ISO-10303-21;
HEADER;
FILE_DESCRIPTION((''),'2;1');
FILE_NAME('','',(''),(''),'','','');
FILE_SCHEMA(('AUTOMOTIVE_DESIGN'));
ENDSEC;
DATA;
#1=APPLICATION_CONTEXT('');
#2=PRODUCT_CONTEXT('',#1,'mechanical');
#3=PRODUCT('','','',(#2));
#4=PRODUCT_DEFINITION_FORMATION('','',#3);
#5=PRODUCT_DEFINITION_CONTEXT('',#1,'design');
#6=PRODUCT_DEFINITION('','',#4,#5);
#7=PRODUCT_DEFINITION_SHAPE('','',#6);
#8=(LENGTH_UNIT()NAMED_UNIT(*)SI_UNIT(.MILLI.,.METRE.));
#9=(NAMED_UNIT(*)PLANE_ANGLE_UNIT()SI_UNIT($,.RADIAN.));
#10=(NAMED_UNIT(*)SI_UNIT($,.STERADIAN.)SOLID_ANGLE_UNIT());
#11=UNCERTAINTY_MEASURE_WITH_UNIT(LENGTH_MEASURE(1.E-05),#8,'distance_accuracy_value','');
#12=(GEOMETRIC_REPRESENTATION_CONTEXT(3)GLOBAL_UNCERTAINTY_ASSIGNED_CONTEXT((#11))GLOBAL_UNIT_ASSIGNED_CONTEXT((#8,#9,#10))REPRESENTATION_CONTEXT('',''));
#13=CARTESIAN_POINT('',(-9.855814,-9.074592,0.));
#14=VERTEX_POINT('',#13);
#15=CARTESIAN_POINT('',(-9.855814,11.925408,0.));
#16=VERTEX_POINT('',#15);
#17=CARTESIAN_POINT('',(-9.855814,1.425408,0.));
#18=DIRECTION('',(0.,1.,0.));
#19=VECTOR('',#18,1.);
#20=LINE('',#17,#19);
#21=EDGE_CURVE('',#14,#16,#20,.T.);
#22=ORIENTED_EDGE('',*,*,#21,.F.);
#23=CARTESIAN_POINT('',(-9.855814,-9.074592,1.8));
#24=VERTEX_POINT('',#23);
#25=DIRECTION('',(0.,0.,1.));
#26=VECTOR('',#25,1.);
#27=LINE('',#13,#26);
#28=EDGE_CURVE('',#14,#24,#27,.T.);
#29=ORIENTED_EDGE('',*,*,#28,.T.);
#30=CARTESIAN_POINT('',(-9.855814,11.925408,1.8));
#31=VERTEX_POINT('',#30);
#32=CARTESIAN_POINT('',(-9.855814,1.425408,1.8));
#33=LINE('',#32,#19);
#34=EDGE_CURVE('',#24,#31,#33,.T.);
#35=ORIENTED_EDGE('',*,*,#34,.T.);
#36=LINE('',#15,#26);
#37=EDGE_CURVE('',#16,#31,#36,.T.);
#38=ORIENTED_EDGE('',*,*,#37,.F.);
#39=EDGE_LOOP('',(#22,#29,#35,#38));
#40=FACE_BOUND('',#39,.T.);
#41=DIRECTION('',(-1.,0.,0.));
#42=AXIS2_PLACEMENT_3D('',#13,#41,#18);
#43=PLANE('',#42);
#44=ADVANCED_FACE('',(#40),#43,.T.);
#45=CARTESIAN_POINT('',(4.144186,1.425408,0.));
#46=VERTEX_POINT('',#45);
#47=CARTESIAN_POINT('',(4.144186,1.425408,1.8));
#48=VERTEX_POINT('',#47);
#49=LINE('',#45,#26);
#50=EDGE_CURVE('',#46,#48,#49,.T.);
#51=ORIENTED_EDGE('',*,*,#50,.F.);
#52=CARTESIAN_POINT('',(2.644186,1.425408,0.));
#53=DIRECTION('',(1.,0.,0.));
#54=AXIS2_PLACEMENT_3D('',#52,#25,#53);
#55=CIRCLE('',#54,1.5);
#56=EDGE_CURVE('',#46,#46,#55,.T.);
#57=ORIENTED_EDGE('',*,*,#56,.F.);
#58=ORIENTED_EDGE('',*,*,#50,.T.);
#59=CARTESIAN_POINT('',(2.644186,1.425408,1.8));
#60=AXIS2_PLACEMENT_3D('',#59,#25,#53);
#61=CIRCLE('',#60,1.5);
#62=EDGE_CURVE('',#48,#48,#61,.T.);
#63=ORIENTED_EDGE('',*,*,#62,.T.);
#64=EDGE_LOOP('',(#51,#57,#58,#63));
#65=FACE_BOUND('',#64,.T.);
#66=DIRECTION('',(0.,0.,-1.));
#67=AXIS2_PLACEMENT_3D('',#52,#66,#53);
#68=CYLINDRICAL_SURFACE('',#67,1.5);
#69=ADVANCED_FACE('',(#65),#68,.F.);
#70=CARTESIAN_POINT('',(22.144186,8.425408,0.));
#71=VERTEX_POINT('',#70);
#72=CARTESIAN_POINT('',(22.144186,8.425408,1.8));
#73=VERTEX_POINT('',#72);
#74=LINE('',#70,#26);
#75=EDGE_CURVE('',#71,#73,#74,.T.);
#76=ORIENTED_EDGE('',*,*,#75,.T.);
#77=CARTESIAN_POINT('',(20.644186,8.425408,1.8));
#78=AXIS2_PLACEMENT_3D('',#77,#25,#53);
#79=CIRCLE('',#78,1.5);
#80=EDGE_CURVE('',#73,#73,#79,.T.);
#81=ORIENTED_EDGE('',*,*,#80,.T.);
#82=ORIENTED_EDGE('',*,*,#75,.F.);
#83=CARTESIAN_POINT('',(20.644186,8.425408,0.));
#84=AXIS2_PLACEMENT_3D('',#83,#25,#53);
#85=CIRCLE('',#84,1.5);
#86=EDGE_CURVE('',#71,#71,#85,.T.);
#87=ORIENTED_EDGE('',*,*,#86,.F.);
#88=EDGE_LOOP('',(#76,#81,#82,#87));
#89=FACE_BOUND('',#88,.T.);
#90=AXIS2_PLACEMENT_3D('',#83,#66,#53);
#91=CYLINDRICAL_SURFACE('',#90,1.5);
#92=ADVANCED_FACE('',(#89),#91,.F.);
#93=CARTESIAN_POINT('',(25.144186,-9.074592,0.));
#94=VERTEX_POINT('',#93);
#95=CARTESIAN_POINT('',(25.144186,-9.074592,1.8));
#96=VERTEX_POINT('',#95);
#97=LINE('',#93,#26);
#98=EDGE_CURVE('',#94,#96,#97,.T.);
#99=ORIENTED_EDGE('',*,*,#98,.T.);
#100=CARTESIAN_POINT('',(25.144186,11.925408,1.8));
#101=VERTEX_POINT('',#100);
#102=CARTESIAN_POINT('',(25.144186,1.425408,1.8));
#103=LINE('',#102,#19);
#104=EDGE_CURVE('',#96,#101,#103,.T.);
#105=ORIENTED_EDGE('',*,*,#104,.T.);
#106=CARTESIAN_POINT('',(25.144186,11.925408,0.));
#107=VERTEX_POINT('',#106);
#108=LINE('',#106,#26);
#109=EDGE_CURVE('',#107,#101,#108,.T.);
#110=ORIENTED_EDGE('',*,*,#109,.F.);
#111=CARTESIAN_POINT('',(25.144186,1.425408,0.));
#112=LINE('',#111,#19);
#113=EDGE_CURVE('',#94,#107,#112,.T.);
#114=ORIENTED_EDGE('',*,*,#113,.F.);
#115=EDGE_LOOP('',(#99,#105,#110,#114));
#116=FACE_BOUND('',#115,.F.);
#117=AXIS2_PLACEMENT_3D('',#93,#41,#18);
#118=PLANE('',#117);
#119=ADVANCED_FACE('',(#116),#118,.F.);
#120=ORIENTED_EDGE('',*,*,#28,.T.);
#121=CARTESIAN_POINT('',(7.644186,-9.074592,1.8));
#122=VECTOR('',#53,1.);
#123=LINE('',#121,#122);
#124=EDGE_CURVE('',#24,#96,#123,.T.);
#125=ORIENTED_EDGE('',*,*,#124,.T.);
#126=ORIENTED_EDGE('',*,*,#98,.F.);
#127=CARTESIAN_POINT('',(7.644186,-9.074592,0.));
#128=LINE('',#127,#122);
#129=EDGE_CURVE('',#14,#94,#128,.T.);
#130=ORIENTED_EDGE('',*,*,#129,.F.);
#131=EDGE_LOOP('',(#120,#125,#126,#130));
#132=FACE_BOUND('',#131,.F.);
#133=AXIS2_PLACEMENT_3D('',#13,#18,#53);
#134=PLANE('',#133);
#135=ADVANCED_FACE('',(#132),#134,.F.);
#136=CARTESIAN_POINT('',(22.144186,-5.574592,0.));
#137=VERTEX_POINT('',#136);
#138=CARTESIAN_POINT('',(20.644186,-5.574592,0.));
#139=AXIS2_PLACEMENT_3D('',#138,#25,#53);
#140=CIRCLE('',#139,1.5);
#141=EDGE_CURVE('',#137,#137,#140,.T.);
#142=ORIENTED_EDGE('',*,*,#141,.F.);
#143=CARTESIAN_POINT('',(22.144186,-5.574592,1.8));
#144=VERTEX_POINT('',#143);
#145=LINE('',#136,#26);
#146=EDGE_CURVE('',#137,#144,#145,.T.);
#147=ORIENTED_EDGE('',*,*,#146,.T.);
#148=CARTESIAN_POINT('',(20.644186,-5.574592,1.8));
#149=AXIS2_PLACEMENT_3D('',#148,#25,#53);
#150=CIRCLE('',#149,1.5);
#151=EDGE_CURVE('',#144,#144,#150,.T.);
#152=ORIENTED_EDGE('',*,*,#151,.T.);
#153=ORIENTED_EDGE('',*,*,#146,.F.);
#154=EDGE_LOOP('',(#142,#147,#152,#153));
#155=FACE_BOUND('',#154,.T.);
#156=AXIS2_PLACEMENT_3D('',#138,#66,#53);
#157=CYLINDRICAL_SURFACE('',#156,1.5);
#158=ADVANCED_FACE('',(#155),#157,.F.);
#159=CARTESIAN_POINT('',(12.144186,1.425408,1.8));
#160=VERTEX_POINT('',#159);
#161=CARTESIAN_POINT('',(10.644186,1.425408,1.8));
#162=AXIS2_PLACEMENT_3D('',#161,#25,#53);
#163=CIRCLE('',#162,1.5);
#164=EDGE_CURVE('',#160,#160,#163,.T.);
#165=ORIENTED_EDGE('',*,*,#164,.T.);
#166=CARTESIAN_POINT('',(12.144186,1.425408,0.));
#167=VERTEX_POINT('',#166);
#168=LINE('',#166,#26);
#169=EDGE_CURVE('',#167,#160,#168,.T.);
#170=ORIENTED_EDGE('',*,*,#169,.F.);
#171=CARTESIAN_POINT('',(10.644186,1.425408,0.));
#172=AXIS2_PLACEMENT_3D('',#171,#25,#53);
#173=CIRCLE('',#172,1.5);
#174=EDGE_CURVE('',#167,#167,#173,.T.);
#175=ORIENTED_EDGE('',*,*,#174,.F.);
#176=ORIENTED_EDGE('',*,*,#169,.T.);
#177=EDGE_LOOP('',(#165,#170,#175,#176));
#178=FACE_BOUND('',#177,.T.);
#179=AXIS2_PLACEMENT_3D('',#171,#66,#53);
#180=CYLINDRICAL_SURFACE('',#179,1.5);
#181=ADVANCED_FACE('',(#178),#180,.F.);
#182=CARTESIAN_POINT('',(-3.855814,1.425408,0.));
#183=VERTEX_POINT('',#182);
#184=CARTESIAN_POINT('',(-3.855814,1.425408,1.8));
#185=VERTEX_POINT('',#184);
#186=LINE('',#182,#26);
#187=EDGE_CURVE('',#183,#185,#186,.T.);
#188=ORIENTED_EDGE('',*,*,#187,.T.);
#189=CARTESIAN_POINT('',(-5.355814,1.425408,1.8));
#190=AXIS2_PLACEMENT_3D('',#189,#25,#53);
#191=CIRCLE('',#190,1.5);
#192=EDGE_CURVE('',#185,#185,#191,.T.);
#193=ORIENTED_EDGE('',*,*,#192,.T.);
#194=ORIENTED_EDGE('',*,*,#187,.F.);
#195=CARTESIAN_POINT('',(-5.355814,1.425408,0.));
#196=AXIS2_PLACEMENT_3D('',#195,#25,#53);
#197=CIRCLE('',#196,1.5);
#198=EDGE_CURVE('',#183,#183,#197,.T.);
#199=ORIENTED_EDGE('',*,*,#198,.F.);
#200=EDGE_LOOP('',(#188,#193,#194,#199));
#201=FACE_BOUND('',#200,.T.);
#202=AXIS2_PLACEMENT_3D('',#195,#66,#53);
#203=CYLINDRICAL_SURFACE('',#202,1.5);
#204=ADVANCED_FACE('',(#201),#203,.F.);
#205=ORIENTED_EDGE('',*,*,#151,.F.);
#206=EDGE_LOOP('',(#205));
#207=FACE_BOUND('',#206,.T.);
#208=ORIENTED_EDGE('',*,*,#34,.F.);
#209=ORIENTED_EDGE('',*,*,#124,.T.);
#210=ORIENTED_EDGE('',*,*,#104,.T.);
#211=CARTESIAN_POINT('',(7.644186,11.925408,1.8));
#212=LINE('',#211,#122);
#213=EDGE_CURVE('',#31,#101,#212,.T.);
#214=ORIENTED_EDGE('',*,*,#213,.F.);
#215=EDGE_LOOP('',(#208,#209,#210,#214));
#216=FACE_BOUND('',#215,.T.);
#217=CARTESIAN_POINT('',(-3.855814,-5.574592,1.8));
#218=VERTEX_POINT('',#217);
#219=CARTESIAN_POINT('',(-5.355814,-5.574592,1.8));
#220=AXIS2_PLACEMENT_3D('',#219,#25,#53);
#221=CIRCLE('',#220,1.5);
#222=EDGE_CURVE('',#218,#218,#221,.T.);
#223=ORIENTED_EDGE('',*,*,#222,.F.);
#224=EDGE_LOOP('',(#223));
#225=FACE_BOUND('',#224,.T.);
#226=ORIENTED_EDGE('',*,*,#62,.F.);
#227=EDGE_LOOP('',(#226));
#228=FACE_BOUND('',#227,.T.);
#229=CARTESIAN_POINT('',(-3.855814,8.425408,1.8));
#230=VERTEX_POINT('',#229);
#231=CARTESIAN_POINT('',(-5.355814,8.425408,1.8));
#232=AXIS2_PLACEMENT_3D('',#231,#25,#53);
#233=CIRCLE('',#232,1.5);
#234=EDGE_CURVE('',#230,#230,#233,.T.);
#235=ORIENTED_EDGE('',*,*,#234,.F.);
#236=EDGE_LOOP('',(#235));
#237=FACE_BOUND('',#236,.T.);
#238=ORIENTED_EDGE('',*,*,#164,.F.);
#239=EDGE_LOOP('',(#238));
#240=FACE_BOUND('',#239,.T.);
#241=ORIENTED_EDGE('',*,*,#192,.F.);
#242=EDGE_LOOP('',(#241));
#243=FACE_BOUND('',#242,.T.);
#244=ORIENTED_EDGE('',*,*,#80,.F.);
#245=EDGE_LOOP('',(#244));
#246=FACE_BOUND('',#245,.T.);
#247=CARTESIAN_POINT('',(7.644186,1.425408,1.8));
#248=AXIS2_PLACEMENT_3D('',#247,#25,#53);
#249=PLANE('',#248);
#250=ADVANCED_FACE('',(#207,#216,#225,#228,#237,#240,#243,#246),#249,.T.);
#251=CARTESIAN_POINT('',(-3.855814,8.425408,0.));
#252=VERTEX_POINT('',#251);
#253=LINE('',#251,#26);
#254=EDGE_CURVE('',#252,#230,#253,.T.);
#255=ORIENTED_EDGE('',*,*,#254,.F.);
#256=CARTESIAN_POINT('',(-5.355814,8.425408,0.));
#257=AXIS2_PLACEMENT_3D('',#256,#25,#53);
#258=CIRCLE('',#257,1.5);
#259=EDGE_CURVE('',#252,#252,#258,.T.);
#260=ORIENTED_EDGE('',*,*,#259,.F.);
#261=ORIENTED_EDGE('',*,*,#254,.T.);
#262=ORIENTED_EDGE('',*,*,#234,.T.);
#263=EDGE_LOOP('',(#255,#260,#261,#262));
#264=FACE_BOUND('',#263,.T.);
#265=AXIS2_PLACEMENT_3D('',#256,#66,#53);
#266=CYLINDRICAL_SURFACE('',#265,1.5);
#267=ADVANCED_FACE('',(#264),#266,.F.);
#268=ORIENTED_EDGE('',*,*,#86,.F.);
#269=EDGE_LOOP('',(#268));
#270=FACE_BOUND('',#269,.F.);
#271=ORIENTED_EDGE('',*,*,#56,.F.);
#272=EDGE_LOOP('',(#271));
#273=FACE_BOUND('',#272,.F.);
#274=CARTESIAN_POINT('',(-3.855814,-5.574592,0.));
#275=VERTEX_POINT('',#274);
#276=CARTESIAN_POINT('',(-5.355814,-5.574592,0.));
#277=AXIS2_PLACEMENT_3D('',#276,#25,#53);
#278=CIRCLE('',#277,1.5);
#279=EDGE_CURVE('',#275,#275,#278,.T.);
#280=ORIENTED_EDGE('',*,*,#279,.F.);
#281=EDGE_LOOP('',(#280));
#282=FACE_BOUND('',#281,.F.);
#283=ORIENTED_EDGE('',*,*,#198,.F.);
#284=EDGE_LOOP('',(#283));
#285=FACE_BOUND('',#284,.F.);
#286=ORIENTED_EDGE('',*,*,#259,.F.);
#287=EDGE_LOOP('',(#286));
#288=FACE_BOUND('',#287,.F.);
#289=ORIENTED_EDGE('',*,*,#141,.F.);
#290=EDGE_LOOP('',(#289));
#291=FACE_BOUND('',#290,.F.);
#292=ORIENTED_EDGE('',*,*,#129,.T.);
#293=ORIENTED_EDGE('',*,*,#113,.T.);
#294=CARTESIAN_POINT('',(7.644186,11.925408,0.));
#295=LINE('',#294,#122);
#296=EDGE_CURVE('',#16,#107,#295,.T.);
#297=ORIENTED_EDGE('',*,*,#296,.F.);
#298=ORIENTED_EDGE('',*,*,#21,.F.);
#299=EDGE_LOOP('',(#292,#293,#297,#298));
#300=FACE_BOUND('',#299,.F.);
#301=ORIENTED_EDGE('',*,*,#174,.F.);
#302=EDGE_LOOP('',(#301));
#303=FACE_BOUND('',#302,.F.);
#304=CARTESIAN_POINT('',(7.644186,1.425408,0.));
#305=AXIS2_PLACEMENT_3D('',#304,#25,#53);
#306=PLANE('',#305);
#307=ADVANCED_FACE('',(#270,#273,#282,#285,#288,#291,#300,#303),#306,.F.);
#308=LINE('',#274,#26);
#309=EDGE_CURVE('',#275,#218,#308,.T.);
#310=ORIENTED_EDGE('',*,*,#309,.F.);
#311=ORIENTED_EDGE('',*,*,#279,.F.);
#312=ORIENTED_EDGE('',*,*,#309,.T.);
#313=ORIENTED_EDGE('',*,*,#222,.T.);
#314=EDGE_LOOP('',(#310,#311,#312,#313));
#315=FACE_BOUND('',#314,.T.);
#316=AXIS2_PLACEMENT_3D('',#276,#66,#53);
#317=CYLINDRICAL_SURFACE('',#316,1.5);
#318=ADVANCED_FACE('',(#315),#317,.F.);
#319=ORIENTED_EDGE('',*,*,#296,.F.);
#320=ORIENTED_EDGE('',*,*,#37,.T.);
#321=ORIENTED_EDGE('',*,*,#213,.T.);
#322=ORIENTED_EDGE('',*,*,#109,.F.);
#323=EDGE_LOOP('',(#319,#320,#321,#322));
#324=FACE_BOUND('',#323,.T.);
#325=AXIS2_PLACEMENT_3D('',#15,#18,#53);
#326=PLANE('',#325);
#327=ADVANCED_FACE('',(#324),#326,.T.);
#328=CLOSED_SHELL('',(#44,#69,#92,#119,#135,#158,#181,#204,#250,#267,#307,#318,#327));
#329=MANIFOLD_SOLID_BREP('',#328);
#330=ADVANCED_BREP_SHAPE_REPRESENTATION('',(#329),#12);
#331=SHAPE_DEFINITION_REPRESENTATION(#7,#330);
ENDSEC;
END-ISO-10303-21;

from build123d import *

# Parameters (mm, degrees)
F0_W     = 35
F0_H     = 21
F0_R     = 1.5
F1_DEPTH = 1.8


with BuildPart() as f1:
    # F0 (on Top) → F1 (new body)
    with BuildSketch(Plane.XY):
        with Locations((7.644186, 1.425408)):
            Rectangle(F0_W, F0_H)
        with Locations((-5.355814, -5.574592)):
            Circle(F0_R, mode=Mode.SUBTRACT)
        with Locations((20.644186, -5.574592)):
            Circle(F0_R, mode=Mode.SUBTRACT)
        with Locations((-5.355814, 1.425408)):
            Circle(F0_R, mode=Mode.SUBTRACT)
        with Locations((2.644186, 1.425408)):
            Circle(F0_R, mode=Mode.SUBTRACT)
        with Locations((-5.355814, 8.425408)):
            Circle(F0_R, mode=Mode.SUBTRACT)
        with Locations((10.644186, 1.425408)):
            Circle(F0_R, mode=Mode.SUBTRACT)
        with Locations((20.644186, 8.425408)):
            Circle(F0_R, mode=Mode.SUBTRACT)
    extrude(amount=F1_DEPTH)


solid = f1.part
